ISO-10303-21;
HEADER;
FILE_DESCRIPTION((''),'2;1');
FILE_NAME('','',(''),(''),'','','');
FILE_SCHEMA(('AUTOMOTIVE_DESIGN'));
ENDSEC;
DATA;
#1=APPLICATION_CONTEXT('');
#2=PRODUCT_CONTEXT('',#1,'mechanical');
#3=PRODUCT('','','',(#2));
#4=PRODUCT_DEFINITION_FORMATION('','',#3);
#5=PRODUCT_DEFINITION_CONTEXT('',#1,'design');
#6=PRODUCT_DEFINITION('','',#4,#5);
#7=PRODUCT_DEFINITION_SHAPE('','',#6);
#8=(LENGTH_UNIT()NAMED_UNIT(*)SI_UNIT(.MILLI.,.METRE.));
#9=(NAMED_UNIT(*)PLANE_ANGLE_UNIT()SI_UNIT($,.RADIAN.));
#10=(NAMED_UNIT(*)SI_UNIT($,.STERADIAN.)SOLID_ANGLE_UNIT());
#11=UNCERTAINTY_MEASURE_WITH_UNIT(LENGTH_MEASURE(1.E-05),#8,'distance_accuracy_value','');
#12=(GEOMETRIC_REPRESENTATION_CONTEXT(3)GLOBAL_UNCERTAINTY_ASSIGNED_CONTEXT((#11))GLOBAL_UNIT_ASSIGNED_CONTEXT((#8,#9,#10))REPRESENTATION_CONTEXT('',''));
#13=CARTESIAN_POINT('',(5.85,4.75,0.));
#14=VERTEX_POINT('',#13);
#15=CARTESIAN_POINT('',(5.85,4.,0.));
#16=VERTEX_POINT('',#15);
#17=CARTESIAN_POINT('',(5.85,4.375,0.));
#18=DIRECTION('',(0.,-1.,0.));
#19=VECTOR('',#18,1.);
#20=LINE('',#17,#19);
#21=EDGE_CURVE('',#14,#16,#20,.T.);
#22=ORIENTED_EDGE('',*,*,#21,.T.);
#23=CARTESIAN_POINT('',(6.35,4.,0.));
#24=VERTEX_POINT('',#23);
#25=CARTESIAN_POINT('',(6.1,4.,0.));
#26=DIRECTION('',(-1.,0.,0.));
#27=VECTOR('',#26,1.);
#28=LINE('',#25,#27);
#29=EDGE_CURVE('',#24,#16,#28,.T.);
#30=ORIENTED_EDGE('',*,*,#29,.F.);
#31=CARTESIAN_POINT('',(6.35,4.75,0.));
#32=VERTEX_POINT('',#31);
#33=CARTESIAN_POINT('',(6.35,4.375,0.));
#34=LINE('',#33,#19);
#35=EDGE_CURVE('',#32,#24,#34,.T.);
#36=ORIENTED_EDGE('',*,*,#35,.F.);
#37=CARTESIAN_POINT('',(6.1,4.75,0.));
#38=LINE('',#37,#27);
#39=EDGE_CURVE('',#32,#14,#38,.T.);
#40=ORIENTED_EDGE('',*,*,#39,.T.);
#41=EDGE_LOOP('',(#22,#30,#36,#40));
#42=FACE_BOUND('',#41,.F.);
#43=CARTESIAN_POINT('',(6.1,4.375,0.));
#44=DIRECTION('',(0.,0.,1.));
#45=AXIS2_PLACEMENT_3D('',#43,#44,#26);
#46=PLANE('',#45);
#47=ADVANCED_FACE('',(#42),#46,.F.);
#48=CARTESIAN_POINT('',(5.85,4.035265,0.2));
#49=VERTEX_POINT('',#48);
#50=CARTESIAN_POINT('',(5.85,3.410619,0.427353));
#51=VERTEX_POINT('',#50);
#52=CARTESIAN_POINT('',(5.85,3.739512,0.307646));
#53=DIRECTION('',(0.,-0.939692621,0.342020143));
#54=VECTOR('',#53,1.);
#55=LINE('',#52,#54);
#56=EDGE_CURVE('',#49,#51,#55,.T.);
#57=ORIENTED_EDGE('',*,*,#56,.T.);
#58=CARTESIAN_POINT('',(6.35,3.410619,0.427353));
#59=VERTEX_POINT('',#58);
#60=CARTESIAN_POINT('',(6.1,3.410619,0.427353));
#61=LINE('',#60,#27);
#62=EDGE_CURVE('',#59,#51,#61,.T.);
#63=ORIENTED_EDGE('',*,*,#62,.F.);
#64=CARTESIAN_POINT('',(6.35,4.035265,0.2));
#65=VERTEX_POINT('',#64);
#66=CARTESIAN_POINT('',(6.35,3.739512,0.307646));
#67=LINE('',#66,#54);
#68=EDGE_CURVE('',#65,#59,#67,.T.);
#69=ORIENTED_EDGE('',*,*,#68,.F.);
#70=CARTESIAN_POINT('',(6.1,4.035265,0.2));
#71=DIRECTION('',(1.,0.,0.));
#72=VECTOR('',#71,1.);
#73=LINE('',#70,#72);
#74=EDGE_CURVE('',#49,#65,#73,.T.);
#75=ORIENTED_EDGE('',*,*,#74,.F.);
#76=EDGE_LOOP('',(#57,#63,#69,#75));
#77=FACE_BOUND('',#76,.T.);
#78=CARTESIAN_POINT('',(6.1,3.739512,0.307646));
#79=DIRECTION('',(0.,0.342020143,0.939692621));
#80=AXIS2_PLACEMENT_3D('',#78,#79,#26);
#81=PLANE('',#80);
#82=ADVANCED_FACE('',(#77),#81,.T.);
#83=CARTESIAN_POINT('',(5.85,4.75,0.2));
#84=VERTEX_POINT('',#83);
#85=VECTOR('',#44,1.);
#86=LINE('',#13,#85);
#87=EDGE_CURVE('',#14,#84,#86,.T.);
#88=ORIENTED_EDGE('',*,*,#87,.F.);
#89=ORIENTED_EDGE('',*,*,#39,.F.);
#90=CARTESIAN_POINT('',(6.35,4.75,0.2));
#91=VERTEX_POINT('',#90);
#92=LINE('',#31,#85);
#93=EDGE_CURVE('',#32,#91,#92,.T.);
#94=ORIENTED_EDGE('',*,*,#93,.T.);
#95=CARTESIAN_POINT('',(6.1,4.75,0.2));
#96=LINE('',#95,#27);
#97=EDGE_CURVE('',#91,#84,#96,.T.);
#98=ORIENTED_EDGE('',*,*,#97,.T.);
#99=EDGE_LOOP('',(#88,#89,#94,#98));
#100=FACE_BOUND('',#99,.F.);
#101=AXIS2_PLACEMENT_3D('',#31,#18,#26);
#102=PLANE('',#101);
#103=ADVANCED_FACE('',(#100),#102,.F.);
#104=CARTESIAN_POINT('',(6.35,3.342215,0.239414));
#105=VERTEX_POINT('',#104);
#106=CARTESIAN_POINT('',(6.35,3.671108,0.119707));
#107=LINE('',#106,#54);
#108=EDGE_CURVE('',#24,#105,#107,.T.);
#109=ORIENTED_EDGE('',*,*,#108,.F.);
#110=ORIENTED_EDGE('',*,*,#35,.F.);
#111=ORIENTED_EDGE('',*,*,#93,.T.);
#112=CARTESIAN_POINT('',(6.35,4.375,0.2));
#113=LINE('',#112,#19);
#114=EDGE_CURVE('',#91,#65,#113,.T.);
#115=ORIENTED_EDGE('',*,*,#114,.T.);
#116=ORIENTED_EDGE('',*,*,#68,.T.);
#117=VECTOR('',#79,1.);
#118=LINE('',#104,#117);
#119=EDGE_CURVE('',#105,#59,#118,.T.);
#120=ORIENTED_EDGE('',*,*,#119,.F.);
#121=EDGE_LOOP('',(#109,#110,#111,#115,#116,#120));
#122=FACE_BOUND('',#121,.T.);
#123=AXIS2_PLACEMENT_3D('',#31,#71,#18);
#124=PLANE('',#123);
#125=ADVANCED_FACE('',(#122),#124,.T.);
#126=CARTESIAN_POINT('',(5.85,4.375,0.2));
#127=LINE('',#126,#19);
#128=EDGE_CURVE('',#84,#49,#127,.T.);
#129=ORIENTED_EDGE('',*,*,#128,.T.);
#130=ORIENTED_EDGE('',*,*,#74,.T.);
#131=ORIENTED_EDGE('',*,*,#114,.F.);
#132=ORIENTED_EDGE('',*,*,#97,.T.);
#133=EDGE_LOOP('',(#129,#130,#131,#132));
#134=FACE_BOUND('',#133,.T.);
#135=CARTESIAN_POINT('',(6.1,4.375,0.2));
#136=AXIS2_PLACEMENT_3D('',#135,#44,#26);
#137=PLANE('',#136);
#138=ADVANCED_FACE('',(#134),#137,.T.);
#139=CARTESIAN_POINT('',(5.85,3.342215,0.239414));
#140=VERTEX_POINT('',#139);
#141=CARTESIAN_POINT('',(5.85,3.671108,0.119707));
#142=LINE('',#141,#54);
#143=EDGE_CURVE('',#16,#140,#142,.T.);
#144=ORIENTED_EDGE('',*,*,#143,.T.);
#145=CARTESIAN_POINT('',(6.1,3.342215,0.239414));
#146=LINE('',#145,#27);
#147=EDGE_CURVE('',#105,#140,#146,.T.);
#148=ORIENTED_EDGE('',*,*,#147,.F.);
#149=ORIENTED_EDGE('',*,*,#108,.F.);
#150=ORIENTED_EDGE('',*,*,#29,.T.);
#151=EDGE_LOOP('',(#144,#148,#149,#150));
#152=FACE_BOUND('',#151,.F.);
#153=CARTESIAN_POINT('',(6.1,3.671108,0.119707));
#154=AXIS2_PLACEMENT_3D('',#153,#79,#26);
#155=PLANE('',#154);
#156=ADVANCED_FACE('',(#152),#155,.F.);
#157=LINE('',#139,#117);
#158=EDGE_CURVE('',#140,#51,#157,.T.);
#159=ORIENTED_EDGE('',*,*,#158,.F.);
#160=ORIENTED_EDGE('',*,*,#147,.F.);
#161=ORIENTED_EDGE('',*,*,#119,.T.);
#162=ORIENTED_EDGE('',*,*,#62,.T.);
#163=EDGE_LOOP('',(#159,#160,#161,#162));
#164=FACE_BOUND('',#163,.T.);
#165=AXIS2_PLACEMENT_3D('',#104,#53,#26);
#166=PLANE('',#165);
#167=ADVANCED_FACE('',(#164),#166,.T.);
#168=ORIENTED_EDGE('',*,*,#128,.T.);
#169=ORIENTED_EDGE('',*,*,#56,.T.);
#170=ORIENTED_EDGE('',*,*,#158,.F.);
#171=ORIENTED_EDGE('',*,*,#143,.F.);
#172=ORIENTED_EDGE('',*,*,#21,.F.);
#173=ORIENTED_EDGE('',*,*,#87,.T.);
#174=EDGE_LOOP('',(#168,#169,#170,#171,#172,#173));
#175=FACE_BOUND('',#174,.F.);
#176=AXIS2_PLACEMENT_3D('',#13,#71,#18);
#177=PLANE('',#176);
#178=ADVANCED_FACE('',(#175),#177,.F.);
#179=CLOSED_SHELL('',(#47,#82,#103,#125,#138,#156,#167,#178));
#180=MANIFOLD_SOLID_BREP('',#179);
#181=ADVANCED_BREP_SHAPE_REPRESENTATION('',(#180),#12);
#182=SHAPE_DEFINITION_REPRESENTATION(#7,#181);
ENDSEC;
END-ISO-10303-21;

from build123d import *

# Parameters (mm, degrees)
BOX011_W                  = 0.5
BOX011_H                  = 0.75
BOX011_DEPTH              = 0.2
BOX012_W                  = 0.5
BOX012_H                  = 0.7
BOX012_DEPTH              = 0.2
BOX012_PLACEMENT_ANGLE    = 20
FUSION005_PLACEMENT_ANGLE = 180


with BuildPart() as cube011:
    # Box011 → Box011 (new body)
    with BuildSketch(Plane(origin=(0, -1.25, 0), x_dir=(1, 0, 0), z_dir=(0, 0, 1))):
        with Locations((0.25, 0.375)):
            Rectangle(BOX011_W, BOX011_H)
    extrude(amount=BOX011_DEPTH)


with BuildPart() as fusion005:
    # Box012 → Box012 (new body)
    with BuildSketch(Plane.XY):
        with Locations((0.25, 0.35)):
            Rectangle(BOX012_W, BOX012_H)
    extrude(amount=BOX012_DEPTH)


with BuildPart() as fusion005_1:
    # Box012 placement: moved
    add(fusion005.part.moved(Location((0, -0.5, 0))).rotate(Axis((0, -0.5, 0), (1, 0, 0)), BOX012_PLACEMENT_ANGLE))

    # Fusion005: union Cube011
    add(cube011.part)


with BuildPart() as fusion005_2:
    # Fusion005 placement: moved
    add(fusion005_1.part.moved(Location((6.35, 3.5, 0))).rotate(Axis((6.35, 3.5, 0), (0, 0, 1)), FUSION005_PLACEMENT_ANGLE))


solid = fusion005_2.part
